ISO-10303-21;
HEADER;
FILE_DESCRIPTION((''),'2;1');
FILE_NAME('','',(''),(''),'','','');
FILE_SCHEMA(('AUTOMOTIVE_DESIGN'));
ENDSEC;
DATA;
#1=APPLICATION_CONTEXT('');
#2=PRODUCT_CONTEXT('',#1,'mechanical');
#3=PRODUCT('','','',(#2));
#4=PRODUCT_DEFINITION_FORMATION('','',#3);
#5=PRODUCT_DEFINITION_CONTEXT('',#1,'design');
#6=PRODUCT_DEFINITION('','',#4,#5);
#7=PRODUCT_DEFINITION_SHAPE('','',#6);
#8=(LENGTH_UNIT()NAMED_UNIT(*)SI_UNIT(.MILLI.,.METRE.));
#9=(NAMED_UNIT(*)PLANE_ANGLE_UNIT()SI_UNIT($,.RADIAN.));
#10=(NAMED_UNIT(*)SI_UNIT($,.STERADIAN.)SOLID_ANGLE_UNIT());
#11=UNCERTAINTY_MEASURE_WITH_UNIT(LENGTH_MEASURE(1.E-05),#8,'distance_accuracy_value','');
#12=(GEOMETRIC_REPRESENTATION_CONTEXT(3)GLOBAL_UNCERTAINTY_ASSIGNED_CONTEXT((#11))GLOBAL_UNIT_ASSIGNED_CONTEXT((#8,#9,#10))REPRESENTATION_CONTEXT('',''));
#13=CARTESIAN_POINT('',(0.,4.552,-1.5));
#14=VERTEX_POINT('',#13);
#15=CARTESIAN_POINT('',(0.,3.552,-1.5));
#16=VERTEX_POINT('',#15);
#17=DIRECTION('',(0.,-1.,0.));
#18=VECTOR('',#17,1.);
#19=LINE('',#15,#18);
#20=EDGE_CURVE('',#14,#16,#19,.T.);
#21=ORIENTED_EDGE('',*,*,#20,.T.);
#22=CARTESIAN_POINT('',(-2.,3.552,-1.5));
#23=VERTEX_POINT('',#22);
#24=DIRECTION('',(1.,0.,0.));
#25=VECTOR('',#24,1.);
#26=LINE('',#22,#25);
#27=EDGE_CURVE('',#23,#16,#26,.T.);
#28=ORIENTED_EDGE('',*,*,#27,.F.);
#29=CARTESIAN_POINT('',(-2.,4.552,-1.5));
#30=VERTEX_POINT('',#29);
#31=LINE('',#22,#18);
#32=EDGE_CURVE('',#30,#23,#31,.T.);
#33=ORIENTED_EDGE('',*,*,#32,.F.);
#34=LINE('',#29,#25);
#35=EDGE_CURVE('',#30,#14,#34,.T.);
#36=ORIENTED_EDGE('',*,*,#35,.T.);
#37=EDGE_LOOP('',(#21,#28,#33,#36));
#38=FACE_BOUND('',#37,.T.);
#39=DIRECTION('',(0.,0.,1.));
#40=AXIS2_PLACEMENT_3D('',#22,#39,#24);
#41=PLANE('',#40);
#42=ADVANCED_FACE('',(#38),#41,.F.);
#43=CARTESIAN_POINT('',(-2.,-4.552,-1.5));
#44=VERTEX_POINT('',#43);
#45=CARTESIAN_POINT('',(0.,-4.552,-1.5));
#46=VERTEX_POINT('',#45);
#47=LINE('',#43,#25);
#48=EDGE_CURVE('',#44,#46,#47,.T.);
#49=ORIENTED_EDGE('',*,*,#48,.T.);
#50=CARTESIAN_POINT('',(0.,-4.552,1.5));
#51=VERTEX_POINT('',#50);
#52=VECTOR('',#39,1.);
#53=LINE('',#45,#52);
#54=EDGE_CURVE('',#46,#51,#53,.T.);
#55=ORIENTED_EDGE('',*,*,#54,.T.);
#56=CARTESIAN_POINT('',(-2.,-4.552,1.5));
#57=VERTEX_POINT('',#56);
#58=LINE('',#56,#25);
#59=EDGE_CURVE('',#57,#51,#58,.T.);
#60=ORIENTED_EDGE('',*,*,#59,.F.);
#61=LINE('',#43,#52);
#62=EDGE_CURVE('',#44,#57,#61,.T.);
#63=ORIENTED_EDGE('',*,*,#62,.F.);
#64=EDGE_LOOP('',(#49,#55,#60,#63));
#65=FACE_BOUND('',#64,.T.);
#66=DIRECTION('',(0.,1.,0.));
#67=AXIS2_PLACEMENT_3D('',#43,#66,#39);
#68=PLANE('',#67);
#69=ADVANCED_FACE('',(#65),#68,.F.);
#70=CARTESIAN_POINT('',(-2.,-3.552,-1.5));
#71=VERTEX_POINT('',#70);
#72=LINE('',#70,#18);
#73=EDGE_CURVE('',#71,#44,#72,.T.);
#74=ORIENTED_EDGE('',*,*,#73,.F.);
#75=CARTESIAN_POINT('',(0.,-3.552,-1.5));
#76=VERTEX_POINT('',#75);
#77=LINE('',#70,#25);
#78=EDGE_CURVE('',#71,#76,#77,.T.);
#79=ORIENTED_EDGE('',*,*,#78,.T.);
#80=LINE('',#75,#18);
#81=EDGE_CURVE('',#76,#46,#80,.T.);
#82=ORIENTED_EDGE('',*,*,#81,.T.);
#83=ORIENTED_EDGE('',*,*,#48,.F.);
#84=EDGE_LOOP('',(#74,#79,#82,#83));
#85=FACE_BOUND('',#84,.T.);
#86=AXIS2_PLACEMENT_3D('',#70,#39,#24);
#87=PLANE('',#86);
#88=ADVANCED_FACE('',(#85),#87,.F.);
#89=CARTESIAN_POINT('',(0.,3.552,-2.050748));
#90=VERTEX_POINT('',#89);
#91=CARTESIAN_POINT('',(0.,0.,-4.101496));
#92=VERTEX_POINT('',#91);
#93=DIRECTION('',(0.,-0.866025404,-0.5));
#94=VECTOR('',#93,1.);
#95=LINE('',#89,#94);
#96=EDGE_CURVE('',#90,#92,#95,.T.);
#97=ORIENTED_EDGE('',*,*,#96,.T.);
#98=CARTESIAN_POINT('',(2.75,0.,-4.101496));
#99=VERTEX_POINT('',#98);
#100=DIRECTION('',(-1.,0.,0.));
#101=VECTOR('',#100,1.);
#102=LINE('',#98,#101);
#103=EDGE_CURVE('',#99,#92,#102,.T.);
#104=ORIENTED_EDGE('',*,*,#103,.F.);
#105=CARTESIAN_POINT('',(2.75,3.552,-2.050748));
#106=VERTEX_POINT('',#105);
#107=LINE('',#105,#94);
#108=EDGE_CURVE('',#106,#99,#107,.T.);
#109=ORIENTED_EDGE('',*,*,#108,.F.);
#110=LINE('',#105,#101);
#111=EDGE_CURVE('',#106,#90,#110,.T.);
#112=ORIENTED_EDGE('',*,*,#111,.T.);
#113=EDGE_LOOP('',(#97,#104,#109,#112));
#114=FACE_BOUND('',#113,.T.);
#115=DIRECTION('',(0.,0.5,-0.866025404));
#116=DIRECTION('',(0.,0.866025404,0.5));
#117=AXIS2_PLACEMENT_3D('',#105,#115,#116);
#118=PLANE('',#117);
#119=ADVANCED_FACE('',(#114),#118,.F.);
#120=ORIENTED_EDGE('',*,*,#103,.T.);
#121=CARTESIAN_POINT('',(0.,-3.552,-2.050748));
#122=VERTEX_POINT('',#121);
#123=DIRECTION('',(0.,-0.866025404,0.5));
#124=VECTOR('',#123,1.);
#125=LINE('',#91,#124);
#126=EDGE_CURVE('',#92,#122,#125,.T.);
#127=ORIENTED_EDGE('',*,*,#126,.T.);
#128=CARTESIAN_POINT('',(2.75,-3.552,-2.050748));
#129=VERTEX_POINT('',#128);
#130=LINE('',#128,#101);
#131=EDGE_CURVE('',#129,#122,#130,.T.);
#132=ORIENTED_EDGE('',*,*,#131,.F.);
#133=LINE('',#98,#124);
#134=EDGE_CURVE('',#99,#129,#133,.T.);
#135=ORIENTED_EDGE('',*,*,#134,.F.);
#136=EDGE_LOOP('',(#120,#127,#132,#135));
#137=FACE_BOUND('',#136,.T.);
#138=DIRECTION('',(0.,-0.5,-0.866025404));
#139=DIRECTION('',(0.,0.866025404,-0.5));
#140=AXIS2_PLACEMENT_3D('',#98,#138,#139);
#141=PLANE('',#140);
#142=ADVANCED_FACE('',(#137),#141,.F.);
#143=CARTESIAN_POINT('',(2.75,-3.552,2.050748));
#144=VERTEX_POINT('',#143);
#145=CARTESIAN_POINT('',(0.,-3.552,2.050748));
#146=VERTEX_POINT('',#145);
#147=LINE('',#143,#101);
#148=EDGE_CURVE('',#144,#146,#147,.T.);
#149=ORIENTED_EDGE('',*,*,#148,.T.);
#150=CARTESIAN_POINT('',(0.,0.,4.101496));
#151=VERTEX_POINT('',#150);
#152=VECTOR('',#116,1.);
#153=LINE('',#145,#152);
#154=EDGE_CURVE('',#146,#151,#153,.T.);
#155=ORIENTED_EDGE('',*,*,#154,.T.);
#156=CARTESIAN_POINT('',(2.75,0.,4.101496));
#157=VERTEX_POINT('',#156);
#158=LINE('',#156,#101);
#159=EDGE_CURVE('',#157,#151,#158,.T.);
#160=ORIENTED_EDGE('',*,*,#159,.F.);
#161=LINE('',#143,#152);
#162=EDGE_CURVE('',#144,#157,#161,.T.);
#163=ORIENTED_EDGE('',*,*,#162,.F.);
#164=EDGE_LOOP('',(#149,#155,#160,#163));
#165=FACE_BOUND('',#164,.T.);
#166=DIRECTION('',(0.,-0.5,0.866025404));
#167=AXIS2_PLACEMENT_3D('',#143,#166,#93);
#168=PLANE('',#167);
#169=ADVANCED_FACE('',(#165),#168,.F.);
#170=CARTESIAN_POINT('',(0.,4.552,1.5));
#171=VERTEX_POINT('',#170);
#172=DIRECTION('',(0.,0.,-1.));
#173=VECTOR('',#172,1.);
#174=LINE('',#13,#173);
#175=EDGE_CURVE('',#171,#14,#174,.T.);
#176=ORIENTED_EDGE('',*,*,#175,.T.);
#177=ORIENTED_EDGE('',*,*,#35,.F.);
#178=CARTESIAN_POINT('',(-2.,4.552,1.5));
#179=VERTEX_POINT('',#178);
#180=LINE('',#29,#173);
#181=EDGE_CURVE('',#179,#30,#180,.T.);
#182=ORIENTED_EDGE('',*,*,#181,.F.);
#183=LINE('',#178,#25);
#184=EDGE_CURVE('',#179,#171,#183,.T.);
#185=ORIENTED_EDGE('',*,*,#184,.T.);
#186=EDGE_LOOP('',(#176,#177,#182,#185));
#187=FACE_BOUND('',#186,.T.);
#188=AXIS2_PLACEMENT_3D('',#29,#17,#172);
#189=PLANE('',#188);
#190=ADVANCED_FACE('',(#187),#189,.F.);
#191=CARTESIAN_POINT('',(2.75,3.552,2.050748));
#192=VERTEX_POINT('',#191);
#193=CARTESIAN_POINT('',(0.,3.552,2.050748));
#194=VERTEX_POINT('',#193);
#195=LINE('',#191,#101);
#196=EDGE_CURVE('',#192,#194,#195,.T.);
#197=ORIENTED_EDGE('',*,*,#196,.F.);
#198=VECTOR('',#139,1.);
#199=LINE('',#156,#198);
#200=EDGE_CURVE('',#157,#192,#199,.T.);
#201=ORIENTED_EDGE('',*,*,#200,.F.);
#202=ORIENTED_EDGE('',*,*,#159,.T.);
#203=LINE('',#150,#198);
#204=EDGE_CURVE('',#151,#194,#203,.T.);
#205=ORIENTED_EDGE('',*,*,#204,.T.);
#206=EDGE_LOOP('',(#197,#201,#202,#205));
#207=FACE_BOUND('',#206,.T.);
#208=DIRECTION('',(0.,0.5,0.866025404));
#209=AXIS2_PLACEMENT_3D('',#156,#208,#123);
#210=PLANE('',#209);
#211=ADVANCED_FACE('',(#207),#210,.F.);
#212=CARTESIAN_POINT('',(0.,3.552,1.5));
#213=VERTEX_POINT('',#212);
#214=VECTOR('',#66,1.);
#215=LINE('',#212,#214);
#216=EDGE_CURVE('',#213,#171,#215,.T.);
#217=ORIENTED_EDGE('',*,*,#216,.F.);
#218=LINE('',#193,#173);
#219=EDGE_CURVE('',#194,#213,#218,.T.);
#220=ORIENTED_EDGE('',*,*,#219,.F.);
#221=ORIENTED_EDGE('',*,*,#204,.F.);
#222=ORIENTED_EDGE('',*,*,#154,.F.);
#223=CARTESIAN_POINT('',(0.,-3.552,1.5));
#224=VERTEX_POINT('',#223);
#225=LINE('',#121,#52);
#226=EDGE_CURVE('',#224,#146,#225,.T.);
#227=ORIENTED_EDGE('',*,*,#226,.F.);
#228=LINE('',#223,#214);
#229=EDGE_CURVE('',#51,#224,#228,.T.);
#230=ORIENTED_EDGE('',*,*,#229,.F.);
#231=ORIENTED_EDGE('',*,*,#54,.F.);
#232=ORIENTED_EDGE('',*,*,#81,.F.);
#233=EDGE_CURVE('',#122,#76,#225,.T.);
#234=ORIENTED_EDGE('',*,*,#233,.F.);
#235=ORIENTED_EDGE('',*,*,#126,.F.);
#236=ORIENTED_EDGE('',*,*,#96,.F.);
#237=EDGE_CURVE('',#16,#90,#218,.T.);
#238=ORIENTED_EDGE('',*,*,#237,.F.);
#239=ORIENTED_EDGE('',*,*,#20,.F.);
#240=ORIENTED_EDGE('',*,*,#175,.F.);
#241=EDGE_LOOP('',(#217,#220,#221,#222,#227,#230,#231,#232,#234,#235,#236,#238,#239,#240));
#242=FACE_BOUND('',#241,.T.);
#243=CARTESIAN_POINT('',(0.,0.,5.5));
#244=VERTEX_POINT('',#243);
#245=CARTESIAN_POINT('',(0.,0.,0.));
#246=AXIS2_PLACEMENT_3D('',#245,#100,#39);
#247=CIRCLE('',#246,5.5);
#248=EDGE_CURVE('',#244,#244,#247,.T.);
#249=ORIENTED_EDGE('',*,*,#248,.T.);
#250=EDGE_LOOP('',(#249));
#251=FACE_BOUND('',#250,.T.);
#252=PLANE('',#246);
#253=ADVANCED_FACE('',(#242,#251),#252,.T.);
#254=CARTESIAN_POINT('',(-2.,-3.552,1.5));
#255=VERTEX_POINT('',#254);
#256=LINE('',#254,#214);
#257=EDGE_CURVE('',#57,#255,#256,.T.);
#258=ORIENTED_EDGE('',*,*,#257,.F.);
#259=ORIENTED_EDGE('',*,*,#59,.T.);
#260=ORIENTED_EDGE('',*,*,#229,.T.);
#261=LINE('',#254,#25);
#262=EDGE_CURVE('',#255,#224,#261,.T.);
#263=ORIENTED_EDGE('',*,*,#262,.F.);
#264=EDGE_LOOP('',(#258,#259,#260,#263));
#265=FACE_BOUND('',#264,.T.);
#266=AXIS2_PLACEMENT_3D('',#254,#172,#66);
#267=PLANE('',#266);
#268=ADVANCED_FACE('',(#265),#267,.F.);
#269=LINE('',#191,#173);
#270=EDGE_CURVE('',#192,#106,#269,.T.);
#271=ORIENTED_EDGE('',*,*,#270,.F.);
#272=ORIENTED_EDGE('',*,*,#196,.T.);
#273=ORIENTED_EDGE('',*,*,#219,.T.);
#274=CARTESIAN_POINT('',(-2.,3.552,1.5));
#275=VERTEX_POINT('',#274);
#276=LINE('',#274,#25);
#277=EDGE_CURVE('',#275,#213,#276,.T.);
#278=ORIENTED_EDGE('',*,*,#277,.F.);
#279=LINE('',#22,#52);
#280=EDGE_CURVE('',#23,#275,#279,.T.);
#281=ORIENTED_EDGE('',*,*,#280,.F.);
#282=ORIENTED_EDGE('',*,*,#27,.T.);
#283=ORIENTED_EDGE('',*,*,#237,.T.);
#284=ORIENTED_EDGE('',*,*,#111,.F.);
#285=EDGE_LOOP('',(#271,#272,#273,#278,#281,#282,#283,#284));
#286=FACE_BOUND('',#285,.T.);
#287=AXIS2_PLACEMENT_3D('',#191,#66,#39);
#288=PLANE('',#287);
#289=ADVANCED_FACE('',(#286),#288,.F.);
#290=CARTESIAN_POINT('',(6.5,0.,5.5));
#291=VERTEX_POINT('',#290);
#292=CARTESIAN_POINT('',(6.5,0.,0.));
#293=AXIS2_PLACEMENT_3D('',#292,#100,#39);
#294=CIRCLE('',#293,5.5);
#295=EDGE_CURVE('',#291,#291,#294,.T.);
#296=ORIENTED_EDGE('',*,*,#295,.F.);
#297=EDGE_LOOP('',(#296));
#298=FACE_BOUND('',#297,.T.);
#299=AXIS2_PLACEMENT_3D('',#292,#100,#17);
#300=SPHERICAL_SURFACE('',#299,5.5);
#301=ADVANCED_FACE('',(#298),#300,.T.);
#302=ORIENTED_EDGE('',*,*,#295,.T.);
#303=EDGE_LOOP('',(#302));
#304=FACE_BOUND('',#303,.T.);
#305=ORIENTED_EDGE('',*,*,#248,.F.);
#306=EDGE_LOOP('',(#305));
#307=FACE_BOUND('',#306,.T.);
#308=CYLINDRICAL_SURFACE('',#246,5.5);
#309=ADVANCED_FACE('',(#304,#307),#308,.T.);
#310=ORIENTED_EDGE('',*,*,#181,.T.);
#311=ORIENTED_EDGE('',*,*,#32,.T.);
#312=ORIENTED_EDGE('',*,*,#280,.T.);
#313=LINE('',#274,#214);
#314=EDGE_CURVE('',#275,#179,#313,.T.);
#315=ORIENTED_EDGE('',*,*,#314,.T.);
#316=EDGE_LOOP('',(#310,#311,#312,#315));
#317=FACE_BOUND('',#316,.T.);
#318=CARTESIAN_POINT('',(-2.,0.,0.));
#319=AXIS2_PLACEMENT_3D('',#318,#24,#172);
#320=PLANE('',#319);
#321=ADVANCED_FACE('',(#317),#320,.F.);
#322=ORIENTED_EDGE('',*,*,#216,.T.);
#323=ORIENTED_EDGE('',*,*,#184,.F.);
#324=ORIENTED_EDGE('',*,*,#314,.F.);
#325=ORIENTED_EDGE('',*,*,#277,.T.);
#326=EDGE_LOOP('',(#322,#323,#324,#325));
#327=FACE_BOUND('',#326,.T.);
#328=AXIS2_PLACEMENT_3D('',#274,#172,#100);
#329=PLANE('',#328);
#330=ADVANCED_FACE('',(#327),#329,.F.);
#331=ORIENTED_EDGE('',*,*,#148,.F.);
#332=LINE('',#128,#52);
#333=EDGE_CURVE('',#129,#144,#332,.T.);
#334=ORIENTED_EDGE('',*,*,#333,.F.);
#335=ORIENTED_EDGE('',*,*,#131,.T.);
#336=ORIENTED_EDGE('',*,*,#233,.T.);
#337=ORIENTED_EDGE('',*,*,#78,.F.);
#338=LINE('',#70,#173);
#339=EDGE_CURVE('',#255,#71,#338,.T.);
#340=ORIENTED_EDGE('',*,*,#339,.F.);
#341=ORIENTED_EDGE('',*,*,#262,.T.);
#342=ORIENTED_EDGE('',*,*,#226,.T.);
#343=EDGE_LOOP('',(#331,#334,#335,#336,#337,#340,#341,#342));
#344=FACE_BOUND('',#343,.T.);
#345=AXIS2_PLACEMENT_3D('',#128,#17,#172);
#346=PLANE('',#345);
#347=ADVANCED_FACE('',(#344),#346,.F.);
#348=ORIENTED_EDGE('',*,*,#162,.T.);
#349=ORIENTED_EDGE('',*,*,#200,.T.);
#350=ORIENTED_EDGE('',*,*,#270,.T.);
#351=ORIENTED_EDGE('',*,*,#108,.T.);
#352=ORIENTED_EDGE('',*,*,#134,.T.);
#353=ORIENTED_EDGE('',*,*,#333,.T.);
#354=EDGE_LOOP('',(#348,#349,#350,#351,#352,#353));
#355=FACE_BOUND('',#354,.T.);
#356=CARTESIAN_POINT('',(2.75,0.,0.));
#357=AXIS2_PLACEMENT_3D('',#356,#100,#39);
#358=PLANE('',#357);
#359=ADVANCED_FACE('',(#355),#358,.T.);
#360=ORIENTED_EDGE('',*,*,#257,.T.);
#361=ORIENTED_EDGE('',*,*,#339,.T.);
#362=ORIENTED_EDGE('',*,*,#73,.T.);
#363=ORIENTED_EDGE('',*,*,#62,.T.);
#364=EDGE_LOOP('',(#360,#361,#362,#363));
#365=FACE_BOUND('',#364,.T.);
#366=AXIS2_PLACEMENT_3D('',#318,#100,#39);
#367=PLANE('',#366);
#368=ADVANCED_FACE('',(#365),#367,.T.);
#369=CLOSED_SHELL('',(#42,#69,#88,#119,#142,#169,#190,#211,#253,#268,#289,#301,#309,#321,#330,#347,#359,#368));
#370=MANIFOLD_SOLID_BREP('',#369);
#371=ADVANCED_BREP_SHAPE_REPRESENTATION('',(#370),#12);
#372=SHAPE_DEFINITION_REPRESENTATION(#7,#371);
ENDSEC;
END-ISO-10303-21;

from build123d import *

# Parameters (mm, degrees)
CUT_EXTRUDE1_DEPTH  = 2.75
SKETCH5_W           = 3
SKETCH5_H           = 1
BOSS_EXTRUDE2_DEPTH = 2


with BuildPart() as part:
    # Sketch1 → Revolve1 (revolve)
    with BuildSketch(Plane.XY, mode=Mode.PRIVATE) as revolve1_sk:
        with BuildLine():
            Line((0, 0), (12, 0))
            ThreePointArc((12, 0), (10.389087297, -3.889087297), (6.5, -5.5))
            Line((6.5, -5.5), (0, -5.5))
            Line((0, -5.5), (0, 0))
        make_face()
    revolve(revolve1_sk.sketch.rotate(Axis((0, 0, 0), (1, 0, 0)), 270), axis=Axis((0, 0, 0), (1, 0, 0)))

    # Sketch2 → Cut-Extrude1 (cut)
    with BuildSketch(Plane.ZY):
        Polygon((2.050748156, 3.552), (-2.050748156, 3.552), (-4.101496312, 0), (-2.050748156, -3.552), (2.050748156, -3.552), (4.101496312, 0), align=None)
    extrude(amount=-CUT_EXTRUDE1_DEPTH, mode=Mode.SUBTRACT)

    # Sketch5 → Boss-Extrude2 (add)
    with BuildSketch(Plane.ZY):
        with Locations((0, 4.052)):
            Rectangle(SKETCH5_W, SKETCH5_H)
        with Locations((0, -4.052)):
            Rectangle(SKETCH5_W, SKETCH5_H)
    extrude(amount=BOSS_EXTRUDE2_DEPTH)


solid = part.part
